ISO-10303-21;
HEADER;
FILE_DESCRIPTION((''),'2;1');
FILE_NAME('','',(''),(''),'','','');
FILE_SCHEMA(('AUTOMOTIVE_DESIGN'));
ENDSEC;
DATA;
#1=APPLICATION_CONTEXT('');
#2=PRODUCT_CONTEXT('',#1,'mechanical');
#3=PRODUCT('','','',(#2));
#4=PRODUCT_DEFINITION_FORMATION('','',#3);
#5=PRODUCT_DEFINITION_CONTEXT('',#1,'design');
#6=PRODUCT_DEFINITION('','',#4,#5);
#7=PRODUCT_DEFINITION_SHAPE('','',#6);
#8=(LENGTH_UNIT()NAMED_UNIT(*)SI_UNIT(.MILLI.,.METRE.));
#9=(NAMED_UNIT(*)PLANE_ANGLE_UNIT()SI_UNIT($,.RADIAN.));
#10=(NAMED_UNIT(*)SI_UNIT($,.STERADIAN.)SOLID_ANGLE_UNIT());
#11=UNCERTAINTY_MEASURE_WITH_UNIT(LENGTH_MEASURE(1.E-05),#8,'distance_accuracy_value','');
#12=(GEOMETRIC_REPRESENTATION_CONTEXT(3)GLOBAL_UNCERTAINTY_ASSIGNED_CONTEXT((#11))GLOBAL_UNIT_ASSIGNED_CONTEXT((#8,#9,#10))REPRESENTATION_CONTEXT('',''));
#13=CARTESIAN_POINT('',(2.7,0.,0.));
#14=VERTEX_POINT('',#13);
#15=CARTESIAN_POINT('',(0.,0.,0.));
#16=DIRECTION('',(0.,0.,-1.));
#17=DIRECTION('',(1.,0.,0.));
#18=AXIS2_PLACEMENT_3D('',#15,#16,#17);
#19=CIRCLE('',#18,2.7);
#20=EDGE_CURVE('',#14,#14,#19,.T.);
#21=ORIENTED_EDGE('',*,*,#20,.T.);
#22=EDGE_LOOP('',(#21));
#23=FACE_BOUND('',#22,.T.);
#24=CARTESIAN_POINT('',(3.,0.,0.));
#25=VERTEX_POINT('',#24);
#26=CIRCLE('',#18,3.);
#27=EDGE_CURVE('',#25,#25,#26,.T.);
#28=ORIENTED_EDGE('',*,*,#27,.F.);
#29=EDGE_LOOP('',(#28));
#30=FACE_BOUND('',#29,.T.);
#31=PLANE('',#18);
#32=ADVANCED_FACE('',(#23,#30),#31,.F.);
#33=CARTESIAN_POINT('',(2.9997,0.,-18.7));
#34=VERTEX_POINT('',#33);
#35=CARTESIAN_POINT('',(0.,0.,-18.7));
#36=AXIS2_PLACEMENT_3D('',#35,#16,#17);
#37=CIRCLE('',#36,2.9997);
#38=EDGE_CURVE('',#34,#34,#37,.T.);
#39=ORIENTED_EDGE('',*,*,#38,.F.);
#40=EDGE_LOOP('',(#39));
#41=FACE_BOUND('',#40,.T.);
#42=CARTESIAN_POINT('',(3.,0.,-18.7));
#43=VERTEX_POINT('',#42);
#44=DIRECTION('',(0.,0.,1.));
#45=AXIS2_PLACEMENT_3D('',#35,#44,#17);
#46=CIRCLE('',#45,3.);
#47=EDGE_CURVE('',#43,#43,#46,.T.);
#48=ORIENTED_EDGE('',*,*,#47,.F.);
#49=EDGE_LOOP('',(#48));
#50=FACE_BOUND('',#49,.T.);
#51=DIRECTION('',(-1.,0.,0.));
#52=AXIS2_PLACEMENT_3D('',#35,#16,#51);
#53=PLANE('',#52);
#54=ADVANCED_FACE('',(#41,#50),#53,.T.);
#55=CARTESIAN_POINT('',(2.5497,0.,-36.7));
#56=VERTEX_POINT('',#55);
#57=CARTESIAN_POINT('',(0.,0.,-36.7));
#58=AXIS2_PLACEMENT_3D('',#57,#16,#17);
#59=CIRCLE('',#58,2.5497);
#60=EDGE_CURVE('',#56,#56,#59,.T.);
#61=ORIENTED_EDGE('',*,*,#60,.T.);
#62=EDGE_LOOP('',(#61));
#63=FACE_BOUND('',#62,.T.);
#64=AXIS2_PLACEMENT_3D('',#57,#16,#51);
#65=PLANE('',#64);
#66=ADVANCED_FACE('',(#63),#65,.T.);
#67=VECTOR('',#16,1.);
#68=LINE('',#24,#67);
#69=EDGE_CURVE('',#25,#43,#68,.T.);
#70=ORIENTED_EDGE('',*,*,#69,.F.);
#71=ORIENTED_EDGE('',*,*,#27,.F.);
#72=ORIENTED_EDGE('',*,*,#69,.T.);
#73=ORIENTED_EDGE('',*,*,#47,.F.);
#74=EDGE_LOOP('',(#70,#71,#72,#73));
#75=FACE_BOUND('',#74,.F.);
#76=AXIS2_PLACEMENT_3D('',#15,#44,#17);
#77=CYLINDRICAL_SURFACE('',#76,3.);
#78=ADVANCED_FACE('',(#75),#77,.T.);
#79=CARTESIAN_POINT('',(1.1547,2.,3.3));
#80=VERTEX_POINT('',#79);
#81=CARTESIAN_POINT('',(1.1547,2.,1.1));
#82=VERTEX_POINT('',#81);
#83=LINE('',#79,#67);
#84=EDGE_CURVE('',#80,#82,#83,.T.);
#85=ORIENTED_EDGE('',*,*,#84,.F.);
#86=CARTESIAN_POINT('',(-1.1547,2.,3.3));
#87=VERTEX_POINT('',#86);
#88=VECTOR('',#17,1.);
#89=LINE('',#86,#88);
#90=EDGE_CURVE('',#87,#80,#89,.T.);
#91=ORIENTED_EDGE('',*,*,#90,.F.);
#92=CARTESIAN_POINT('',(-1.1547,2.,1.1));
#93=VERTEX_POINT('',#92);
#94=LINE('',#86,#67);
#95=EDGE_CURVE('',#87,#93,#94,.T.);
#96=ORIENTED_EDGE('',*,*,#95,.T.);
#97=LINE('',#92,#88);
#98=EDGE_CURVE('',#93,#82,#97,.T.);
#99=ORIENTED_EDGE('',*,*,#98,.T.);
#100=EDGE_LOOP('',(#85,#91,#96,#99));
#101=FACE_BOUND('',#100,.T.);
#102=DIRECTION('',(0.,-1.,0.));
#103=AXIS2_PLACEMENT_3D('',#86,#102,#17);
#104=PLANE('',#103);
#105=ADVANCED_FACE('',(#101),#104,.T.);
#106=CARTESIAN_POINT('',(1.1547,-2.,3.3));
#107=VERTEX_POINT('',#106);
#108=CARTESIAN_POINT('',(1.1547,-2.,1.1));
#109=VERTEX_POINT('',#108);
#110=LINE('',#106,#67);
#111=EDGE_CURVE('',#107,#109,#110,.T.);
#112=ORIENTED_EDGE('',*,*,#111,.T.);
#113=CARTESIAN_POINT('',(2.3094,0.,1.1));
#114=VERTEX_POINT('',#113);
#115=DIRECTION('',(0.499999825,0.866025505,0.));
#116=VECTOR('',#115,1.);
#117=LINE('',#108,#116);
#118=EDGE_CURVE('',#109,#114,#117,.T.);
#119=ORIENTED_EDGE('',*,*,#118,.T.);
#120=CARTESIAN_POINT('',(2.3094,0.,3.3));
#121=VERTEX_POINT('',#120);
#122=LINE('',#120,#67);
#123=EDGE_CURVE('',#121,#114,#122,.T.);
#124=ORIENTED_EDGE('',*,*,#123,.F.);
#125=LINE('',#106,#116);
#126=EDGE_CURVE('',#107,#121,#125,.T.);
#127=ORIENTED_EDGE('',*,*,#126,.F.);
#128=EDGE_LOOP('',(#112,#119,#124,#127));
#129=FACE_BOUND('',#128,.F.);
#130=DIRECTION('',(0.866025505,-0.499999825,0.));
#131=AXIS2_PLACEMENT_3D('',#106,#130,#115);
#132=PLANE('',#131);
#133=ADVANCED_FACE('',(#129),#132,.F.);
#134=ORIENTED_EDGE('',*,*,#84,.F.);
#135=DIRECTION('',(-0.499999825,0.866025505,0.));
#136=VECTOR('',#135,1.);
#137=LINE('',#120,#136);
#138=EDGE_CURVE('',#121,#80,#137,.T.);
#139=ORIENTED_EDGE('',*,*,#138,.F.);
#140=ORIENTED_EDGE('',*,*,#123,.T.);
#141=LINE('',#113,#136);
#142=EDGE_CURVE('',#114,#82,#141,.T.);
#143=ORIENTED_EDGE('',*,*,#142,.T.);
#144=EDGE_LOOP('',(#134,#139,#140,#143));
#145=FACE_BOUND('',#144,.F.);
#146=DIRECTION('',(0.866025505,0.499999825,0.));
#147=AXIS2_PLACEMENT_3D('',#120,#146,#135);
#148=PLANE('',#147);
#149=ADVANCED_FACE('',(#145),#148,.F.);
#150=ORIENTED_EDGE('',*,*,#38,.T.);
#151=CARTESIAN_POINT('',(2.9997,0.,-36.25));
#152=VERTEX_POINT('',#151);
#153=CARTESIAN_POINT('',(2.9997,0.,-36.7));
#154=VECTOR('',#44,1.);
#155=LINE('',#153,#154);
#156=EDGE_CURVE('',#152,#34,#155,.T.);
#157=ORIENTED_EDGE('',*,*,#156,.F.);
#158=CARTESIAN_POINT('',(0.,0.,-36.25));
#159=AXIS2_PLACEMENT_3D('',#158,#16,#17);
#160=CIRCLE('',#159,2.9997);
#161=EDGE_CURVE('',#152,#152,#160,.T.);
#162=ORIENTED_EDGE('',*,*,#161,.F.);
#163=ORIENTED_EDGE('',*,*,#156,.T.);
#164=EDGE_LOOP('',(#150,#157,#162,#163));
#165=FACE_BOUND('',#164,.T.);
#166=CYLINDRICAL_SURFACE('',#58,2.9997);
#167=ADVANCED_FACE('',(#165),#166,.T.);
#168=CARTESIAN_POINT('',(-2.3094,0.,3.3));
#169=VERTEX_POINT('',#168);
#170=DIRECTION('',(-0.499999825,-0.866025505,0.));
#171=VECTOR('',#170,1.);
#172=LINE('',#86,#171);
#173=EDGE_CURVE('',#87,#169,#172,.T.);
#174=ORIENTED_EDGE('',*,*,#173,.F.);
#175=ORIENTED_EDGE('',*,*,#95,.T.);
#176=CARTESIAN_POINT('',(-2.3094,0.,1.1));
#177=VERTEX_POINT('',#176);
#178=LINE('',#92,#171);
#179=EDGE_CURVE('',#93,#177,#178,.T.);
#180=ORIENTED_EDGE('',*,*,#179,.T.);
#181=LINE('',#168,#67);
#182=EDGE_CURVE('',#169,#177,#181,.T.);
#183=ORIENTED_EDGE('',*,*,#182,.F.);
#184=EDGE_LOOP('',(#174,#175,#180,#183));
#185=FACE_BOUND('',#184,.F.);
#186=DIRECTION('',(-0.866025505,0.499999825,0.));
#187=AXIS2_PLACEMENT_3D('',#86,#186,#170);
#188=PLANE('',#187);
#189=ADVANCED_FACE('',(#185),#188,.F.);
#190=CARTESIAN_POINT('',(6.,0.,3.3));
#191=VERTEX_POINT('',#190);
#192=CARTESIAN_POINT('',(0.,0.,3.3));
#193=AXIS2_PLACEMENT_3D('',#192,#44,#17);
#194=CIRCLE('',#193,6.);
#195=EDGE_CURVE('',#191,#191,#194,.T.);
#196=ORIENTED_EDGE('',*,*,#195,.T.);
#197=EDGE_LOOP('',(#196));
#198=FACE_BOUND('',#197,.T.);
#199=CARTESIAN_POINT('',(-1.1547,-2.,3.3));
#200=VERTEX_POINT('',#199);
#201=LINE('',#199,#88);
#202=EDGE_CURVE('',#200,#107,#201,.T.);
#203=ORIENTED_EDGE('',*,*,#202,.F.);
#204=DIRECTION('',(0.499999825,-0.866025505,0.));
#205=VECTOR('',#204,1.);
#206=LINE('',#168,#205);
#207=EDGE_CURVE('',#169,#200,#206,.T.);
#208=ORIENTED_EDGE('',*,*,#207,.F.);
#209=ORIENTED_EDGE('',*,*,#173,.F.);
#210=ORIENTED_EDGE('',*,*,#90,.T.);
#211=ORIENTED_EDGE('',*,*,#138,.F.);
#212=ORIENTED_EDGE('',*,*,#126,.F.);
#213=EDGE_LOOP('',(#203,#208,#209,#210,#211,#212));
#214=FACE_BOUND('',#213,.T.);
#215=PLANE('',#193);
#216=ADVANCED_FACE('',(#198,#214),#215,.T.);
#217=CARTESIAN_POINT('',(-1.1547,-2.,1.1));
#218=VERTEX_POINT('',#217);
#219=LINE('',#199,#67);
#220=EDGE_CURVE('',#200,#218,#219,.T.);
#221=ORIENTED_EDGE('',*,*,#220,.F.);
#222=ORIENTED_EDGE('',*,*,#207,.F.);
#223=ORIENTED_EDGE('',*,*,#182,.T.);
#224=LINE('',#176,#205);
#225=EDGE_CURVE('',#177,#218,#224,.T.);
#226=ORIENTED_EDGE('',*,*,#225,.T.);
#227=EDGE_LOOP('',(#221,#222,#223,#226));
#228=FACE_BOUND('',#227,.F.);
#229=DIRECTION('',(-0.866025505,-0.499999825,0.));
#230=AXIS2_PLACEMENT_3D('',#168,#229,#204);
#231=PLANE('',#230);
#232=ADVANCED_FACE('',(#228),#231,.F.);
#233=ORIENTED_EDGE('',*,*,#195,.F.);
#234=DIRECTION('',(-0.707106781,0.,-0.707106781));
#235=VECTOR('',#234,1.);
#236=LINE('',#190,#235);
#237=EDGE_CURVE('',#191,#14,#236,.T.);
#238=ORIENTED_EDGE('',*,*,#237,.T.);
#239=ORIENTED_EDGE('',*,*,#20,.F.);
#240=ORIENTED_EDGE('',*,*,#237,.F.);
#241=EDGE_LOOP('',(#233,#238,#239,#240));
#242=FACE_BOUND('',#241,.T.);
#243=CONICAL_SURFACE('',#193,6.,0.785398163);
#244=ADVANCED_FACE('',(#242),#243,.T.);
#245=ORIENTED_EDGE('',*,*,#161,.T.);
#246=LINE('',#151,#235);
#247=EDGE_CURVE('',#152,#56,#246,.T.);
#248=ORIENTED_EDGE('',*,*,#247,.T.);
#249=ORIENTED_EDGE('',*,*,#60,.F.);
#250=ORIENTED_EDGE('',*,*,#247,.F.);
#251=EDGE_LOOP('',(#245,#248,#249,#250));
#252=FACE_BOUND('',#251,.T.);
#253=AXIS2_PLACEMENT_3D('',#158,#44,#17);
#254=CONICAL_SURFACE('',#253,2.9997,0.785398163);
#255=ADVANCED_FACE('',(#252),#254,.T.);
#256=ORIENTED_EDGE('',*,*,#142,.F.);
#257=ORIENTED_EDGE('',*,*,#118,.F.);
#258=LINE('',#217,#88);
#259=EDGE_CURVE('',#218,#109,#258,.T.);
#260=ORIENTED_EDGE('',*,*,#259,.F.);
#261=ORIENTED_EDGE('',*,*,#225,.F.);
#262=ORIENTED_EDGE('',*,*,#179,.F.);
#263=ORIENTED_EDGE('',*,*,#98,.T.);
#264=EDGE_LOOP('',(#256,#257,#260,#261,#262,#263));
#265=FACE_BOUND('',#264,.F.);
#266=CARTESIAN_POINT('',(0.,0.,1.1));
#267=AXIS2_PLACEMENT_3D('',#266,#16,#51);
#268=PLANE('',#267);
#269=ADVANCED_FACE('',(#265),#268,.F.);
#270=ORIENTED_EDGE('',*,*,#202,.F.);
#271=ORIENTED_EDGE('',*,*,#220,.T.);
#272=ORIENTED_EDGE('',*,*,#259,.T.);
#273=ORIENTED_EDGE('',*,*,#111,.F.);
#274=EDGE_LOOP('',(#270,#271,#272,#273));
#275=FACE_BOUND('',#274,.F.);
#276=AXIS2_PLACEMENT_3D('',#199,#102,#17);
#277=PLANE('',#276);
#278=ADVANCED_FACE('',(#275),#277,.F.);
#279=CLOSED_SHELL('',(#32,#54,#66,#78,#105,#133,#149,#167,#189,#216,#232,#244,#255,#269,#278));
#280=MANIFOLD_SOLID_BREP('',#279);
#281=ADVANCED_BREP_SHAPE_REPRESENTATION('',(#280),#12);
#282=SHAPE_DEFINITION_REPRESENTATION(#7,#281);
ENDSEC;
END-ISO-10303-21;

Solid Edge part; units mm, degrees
sketch "Sketch1" plane through (0, 0, 0) normal (0, 0, 1) x (1, 0, 0)
  circle A0 centre (0, 0) radius 6
  dimension "D1" = 12
extrude "Protrusion1" add sketch "Sketch1" along normal blind 3.3
sketch "Sketch2" plane through (0, 0, 0) normal (0, 0, -1) x (1, 0, 0)
  circle A0 centre (0, 0) radius 3
extrude "Protrusion2" add sketch "Sketch2" along normal blind 36.7
sketch "Sketch3" plane through (0, 0, -36.7) normal (0, 0, -1) x (1, 0, 0)
  circle A0 centre (0, 0) radius 2.9997
extrude "Cutout1" cut sketch "Sketch3" against normal blind 18 flip side to cut
chamfer "Chamfer_1" distance 0.45 angle 45 1 edges at (-2.9997, 0, -36.7)
sketch "Sketch4" plane through (0, 0, 3.3) normal (0, 0, 1) x (1, 0, 0)
  line L0 (-1.1547, 2) -> (1.1547, 2)
  line L1 (2.3094, 0) -> (1.1547, 2)
  line L2 (1.1547, -2) -> (2.3094, 0)
  line L3 (-1.1547, -2) -> (1.1547, -2)
  line L4 (-2.3094, 0) -> (-1.1547, -2)
  line L5 (-1.1547, 2) -> (-2.3094, 0)
  dimension "D1" = 4
extrude "Cutout2" cut sketch "Sketch4" against normal blind 2.2
sketch "Sketch5" plane through (0, 0, 0) normal (0, -1, 0) x (1, 0, 0)
  line L0 (6, 3.3) -> (2.7, 0)
  line L1 (2.7, 0) -> (6, 0)
  line L2 (6, 0) -> (6, 3.3)
revolve "RevolvedCutout1" cut sketch "Sketch5" angle 360 about axis through (0, 0, 14.0017) along (0, 0, -1)
properties part number "107678"
